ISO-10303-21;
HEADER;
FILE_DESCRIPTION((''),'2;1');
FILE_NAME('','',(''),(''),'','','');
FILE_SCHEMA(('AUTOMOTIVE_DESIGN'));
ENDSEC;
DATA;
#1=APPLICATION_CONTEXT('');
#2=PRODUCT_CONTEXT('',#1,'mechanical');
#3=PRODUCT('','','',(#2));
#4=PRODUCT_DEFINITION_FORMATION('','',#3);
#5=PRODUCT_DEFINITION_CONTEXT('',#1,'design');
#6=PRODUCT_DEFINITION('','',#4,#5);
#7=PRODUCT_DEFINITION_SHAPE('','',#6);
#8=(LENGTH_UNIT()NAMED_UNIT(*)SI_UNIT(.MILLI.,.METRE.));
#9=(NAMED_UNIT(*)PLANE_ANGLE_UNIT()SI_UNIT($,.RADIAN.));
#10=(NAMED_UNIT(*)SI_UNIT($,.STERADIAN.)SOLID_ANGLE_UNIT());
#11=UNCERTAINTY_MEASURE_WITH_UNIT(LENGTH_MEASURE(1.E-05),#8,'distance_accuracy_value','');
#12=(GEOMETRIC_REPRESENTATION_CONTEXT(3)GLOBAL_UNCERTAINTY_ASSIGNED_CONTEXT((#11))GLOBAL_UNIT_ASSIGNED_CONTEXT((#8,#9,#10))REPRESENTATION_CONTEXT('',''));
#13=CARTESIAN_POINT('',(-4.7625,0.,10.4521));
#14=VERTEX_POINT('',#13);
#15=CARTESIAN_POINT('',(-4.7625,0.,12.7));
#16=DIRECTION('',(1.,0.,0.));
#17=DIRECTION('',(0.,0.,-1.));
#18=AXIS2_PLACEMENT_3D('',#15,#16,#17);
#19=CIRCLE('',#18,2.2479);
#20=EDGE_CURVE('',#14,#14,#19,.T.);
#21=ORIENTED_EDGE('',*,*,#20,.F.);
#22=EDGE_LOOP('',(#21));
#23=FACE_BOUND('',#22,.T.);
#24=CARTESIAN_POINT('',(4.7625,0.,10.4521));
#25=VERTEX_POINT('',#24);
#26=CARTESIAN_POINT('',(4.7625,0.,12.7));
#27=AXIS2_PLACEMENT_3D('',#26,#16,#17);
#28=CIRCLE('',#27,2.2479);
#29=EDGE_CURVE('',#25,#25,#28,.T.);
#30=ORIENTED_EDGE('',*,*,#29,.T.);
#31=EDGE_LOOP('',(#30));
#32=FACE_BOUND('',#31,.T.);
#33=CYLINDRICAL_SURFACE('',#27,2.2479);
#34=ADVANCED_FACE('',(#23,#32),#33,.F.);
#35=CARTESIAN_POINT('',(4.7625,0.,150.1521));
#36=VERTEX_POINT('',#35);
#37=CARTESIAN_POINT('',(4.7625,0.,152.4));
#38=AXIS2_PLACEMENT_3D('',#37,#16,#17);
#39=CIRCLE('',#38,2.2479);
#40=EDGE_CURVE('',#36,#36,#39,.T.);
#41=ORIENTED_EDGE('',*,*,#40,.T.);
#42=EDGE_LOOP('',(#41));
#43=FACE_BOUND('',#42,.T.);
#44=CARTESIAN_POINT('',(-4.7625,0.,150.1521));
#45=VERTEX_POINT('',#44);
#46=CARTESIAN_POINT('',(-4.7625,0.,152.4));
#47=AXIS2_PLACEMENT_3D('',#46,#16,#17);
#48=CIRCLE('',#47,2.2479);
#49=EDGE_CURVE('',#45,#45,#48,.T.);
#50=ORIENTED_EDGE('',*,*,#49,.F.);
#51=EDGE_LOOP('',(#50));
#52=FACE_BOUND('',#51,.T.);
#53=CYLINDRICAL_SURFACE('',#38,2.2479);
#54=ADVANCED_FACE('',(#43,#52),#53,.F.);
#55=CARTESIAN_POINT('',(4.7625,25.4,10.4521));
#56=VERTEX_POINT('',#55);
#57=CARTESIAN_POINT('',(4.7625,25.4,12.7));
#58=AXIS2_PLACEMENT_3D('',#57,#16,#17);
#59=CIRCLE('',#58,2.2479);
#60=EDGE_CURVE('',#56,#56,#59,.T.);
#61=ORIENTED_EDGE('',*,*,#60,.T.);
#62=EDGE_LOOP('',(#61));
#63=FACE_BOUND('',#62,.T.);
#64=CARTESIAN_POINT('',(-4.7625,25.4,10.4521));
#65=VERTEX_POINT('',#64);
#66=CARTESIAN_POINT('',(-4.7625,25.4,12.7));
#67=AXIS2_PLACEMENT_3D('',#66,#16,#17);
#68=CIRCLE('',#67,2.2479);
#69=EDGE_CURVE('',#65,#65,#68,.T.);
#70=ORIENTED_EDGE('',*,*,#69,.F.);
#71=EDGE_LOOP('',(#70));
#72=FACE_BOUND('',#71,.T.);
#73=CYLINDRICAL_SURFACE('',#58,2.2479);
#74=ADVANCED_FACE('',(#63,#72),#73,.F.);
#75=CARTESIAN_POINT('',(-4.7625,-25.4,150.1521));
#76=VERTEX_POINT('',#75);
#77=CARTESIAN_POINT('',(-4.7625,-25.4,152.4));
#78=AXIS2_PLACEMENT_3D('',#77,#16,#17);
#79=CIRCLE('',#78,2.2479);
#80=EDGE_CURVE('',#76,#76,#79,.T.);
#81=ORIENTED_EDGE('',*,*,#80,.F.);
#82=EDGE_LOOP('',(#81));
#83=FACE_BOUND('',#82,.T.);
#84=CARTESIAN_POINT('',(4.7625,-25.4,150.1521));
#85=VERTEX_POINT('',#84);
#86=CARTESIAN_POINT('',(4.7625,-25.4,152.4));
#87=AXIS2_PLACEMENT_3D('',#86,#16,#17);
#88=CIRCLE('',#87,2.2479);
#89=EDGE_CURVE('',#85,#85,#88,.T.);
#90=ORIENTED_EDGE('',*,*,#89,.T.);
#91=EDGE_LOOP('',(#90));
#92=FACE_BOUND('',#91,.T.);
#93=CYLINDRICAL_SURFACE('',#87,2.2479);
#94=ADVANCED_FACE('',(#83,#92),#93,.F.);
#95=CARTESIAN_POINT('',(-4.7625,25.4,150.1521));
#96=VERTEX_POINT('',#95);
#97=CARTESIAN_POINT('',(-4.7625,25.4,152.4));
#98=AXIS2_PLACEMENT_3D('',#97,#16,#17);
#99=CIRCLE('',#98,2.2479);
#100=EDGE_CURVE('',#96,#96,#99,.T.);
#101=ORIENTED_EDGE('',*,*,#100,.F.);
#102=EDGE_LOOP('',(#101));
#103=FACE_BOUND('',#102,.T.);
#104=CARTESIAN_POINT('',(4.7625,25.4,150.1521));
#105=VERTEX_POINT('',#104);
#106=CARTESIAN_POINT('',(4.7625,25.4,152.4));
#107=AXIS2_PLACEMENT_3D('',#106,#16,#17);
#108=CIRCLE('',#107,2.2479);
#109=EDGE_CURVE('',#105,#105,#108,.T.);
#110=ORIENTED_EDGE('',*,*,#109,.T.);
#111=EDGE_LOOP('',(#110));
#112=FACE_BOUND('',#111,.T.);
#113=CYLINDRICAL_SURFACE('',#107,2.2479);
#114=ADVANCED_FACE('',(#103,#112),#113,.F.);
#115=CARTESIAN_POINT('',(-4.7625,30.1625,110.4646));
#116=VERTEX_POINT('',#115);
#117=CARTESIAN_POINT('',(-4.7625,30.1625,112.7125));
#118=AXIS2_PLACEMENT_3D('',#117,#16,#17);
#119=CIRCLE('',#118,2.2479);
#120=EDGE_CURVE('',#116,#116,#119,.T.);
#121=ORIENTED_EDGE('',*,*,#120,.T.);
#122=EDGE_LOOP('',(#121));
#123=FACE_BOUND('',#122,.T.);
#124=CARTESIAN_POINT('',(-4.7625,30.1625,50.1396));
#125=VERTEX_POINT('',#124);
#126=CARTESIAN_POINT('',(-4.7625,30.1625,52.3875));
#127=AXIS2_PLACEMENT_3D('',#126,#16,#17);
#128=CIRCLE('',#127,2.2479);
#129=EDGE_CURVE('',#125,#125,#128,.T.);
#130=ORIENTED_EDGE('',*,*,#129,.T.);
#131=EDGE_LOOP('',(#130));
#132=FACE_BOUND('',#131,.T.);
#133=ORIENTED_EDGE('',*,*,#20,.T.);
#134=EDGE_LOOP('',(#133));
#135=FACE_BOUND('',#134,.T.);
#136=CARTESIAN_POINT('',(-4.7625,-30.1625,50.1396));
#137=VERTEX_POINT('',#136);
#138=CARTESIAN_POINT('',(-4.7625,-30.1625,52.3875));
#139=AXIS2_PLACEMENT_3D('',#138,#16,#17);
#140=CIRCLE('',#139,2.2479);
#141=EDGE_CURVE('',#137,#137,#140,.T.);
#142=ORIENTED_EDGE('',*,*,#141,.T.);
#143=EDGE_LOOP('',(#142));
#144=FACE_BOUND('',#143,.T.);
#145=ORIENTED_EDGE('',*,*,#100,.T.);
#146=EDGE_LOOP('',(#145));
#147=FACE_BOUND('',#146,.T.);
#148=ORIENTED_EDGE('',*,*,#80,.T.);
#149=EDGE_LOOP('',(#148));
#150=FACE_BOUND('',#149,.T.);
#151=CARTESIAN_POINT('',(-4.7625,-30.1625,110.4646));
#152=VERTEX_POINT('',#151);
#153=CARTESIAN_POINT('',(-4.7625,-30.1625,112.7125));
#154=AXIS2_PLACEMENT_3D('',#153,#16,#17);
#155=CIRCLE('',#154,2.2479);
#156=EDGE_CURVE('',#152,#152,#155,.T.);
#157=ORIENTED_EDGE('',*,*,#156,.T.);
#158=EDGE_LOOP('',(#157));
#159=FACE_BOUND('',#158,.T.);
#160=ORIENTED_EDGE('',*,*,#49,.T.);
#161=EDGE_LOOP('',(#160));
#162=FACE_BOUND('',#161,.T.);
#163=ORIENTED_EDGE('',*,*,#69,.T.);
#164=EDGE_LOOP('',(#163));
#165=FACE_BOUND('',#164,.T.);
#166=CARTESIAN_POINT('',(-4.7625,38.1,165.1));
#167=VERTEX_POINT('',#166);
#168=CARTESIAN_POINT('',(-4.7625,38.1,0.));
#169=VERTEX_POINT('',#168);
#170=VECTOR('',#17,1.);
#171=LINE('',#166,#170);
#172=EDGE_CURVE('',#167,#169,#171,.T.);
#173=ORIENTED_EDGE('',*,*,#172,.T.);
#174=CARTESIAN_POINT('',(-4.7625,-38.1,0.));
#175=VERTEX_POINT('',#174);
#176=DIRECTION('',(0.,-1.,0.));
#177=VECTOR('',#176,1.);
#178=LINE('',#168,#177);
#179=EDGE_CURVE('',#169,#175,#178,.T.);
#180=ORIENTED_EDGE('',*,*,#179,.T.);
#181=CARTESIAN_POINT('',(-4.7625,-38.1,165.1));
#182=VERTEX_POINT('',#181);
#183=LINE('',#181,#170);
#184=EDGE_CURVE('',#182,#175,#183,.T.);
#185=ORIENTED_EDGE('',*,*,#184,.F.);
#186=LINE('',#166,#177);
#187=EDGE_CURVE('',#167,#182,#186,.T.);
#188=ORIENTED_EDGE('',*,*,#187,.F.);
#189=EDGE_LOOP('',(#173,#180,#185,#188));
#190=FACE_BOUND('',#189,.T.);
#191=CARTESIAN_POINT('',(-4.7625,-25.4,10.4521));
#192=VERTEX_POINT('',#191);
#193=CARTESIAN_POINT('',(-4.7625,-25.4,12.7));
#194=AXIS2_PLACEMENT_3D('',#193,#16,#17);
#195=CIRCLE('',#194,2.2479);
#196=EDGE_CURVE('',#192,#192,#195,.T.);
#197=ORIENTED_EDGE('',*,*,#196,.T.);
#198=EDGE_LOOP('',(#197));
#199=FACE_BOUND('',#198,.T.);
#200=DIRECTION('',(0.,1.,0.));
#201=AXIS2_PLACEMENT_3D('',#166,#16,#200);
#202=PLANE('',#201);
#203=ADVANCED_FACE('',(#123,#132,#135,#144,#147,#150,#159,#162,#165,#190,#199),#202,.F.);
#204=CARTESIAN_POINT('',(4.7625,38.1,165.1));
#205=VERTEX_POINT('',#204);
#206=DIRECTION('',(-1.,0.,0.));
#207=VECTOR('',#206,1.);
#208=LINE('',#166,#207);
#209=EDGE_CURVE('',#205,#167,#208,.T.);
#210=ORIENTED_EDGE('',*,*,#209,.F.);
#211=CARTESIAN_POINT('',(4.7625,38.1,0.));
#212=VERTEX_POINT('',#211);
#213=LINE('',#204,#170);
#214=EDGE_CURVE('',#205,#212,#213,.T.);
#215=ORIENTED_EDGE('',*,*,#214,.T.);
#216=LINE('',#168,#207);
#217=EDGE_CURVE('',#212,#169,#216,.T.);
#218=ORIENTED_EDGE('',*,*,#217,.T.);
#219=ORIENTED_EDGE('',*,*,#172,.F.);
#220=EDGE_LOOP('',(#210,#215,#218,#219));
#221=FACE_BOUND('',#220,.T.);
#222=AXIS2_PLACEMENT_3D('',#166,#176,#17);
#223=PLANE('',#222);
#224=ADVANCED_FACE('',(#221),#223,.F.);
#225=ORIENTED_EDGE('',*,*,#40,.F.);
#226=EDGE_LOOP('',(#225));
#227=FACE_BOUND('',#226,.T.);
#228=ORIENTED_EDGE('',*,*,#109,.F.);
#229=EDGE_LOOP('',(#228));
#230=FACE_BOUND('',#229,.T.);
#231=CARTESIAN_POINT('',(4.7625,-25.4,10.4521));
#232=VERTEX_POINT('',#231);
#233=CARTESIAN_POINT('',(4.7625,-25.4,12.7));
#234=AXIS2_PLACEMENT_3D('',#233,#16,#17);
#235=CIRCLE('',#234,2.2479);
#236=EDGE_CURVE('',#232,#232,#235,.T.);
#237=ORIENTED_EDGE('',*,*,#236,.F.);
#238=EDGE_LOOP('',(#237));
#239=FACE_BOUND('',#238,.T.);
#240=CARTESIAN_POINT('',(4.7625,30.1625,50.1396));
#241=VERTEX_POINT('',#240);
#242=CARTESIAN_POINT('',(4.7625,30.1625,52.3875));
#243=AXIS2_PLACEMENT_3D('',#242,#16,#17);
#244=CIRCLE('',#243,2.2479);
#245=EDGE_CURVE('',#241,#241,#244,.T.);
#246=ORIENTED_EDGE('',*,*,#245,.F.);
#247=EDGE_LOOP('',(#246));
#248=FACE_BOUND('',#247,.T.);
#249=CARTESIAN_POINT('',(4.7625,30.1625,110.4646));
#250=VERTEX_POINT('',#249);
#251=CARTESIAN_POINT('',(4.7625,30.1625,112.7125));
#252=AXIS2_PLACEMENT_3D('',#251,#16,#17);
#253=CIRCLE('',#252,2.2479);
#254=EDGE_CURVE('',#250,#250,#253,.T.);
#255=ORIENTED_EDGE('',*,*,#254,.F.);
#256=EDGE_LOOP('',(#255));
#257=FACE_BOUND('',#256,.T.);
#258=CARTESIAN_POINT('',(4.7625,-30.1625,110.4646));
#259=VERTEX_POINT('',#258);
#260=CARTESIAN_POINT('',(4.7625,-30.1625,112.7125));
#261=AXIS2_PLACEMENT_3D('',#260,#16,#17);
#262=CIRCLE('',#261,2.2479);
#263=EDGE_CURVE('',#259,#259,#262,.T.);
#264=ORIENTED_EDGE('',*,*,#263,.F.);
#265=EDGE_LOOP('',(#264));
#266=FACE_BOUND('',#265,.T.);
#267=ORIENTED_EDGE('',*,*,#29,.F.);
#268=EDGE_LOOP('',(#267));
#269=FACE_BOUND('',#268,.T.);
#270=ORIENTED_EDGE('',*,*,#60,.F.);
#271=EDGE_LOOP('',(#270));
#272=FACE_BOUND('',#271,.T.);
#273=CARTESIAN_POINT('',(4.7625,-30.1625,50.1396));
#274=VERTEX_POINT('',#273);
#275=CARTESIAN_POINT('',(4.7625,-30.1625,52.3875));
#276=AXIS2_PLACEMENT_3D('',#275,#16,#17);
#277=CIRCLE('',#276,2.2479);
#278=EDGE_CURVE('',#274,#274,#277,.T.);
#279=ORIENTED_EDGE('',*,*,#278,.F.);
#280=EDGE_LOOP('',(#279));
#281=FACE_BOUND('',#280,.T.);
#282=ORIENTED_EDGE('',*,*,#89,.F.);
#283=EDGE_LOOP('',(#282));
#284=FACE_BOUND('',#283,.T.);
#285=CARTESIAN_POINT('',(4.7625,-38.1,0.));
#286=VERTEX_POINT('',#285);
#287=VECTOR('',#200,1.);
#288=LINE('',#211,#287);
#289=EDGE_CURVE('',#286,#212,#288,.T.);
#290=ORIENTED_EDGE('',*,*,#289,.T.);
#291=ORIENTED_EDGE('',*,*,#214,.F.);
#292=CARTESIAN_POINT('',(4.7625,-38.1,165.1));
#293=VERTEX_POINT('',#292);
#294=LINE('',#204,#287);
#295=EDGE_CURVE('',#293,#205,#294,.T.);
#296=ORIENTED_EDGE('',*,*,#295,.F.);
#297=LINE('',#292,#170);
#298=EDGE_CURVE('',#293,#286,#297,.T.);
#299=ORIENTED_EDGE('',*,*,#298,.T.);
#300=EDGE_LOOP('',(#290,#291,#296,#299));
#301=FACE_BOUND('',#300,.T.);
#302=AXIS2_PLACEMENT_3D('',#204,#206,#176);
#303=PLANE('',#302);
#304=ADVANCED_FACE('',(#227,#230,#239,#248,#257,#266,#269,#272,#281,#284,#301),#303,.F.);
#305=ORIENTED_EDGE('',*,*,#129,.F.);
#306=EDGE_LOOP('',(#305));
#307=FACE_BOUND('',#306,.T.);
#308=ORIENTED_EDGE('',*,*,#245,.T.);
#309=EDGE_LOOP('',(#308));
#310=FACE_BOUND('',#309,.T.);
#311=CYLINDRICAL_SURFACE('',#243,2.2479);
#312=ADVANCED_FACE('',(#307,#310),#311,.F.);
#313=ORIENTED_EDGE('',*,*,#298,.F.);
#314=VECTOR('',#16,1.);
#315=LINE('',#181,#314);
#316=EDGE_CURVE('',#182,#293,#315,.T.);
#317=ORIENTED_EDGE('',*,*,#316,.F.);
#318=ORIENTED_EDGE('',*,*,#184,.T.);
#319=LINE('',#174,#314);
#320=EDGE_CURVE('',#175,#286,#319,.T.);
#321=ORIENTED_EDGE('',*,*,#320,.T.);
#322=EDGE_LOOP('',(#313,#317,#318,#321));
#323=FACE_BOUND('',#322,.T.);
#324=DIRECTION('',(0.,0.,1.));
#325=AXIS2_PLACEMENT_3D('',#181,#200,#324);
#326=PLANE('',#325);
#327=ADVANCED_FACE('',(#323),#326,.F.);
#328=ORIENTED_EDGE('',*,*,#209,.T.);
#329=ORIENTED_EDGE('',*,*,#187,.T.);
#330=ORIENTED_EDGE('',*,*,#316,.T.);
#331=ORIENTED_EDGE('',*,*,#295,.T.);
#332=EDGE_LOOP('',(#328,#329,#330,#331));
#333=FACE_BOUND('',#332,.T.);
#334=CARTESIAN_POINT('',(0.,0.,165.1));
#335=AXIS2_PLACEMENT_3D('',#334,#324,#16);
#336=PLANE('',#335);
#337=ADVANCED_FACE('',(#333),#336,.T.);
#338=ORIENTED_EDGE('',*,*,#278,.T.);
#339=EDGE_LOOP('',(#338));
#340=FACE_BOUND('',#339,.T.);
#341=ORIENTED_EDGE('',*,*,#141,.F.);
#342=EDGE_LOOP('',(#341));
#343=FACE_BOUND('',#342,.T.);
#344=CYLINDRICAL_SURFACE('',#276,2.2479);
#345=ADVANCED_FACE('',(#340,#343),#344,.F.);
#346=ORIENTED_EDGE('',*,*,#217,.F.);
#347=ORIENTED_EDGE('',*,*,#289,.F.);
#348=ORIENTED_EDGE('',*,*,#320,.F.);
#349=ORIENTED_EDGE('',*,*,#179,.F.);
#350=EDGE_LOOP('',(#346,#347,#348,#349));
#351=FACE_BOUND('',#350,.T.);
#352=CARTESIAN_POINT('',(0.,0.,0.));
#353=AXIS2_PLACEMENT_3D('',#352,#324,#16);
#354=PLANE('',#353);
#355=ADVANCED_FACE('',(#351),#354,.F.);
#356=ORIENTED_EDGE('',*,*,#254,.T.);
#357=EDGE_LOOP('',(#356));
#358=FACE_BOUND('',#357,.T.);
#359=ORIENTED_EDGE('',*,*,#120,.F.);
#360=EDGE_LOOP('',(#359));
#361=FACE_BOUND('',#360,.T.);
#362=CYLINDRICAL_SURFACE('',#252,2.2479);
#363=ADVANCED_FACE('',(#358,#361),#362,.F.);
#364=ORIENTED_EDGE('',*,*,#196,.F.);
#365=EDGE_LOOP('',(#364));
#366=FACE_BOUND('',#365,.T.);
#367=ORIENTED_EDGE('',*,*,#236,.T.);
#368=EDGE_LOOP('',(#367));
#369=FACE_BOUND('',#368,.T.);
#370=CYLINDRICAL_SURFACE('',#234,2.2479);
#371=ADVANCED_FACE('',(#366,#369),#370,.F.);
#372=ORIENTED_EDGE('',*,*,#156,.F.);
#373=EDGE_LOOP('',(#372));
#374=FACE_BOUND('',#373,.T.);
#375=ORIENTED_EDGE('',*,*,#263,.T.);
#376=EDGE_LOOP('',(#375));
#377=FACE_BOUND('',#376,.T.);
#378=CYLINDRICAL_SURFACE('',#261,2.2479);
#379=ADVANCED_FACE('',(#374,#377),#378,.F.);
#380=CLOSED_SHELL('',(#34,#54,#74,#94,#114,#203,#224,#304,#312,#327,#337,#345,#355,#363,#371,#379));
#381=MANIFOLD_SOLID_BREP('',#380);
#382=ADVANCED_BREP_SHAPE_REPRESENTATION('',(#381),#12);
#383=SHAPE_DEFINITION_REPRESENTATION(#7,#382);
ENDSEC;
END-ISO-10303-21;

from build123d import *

# Parameters (mm, degrees)
SKETCH1_W             = 9.525
SKETCH1_H             = 76.2
BOSS_EXTRUDE1_DEPTH   = 165.1
F_8_CLEARANCE_HOLE1_D = 4.4958
F_8_CLEARANCE_HOLE2_D = 4.4958


with BuildPart() as part:
    # Sketch1 → Boss-Extrude1 (new body)
    with BuildSketch(Plane.XY):
        Rectangle(SKETCH1_W, SKETCH1_H)
    extrude(amount=BOSS_EXTRUDE1_DEPTH)

    # #8 Clearance Hole1 (through all)
    with Locations(Plane(origin=(4.7625, 0, 0), x_dir=(0, 0, -1), z_dir=(1, 0, 0))):
        with Locations((-52.3875, -30.1625), (-112.7125, 30.1625), (-112.7125, -30.1625), (-52.3875, 30.1625)):
            Hole(F_8_CLEARANCE_HOLE1_D / 2)

    # #8 Clearance Hole2 (through all)
    with Locations(Plane(origin=(4.7625, 0, 0), x_dir=(0, 0, -1), z_dir=(1, 0, 0))):
        with Locations((-152.4, 25.4), (-152.4, 0), (-152.4, -25.4), (-12.7, 25.4), (-12.7, 0), (-12.7, -25.4)):
            Hole(F_8_CLEARANCE_HOLE2_D / 2)


solid = part.part
